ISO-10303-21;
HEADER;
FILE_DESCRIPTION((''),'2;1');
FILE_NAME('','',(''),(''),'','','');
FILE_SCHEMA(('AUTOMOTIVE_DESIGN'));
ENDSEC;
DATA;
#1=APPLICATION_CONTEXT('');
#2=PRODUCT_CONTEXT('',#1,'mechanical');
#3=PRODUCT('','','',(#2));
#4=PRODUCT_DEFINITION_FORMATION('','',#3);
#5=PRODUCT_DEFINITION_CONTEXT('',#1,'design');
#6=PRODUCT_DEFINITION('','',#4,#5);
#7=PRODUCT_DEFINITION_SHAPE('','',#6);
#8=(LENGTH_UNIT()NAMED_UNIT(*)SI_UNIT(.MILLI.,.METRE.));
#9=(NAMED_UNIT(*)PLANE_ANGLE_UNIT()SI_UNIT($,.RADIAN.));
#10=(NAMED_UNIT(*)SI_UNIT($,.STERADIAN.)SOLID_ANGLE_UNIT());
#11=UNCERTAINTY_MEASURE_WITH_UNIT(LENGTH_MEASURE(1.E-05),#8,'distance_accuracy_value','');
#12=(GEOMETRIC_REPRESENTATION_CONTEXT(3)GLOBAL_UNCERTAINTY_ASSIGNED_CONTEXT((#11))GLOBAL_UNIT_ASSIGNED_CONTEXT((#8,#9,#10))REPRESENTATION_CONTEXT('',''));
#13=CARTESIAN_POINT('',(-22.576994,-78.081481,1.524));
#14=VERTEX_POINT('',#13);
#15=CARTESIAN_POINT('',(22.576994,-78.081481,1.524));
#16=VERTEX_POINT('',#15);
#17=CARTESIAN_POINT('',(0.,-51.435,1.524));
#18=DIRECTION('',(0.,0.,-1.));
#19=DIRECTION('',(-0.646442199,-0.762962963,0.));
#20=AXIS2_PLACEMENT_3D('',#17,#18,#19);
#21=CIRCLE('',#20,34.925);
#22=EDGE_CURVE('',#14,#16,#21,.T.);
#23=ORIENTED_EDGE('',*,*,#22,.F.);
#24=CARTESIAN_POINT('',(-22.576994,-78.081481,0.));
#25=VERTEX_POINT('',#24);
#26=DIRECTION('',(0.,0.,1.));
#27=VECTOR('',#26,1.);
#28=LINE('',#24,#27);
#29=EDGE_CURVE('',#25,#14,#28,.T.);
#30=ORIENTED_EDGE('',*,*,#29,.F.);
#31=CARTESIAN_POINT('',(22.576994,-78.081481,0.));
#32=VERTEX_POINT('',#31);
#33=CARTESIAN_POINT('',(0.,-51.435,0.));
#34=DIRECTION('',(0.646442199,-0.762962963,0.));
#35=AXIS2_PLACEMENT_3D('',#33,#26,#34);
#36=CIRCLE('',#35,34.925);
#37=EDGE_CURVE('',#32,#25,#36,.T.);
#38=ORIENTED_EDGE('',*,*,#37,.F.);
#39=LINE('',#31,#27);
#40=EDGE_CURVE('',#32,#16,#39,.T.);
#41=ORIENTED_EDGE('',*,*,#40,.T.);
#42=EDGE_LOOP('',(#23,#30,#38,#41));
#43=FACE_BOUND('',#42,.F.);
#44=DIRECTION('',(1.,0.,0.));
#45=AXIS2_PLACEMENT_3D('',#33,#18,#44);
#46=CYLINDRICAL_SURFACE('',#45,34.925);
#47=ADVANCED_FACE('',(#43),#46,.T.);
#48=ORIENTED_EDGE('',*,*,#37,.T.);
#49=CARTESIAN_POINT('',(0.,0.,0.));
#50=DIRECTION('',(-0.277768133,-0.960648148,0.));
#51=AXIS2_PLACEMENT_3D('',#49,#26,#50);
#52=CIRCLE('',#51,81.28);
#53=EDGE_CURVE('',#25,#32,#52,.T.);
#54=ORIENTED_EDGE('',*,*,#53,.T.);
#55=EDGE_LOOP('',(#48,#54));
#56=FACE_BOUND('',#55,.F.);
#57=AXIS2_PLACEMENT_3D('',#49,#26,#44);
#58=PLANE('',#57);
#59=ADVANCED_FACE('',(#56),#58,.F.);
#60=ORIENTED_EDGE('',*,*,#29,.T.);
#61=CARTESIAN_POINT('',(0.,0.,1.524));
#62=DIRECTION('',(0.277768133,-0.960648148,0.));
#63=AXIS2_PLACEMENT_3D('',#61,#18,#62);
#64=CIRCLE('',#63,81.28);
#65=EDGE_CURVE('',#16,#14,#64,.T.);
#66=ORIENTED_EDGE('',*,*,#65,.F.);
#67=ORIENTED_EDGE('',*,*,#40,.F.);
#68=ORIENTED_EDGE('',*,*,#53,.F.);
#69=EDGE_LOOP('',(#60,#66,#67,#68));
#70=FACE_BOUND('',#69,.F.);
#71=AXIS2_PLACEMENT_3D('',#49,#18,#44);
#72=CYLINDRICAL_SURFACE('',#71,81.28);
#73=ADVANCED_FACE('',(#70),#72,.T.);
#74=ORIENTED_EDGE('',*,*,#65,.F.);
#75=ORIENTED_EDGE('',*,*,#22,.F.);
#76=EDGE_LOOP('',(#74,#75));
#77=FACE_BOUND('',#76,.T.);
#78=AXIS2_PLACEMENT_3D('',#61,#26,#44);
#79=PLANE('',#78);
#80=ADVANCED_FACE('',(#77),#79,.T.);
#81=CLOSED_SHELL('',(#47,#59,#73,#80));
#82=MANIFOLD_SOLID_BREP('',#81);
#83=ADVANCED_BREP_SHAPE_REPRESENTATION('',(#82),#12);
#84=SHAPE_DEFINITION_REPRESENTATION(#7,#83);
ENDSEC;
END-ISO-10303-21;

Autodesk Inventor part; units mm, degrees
ref_plane "YZ Plane" through (0, 0, 0) normal (1, 0, 0) x (0, 1, 0)
ref_plane "XZ Plane" through (0, 0, 0) normal (0, 1, 0) x (-1, 0, 0)
sketch "Sketch1" plane through (0, 0, 0) normal (0, 0, 1) x (1, 0, 0)
  circle A0 centre (0, 0) radius 14.351 projected
  circle A1 centre (0, 0) radius 82.55 projected
  circle A2 centre (0, 0) radius 81.28
  circle A3 centre (0, -51.435) radius 29.845
  circle A4 centre (0, -51.435) radius 34.925
  circle A5 centre (0, 0) radius 21.59 projected
  point P0 (-22.577, -78.0815)
  point P1 (0, -81.28)
  point P2 (22.577, -78.0815)
  dimension "d0" = 162.56
  dimension "d3" = 5.08
ref_plane "Work Plane1" through (-15.4305, -15.4305, 1.524) normal (0, 0, 1) x (1, 0, 0)
extrude "Extrusion1" add sketch "Sketch1" along normal up to surface (1.524 mm away) contours A4 A5 A3 A2 | A2 A3 A5 A4 | A3 | A4 A5 picked at (0, -18.3438)
properties part number "GearsTest2"
